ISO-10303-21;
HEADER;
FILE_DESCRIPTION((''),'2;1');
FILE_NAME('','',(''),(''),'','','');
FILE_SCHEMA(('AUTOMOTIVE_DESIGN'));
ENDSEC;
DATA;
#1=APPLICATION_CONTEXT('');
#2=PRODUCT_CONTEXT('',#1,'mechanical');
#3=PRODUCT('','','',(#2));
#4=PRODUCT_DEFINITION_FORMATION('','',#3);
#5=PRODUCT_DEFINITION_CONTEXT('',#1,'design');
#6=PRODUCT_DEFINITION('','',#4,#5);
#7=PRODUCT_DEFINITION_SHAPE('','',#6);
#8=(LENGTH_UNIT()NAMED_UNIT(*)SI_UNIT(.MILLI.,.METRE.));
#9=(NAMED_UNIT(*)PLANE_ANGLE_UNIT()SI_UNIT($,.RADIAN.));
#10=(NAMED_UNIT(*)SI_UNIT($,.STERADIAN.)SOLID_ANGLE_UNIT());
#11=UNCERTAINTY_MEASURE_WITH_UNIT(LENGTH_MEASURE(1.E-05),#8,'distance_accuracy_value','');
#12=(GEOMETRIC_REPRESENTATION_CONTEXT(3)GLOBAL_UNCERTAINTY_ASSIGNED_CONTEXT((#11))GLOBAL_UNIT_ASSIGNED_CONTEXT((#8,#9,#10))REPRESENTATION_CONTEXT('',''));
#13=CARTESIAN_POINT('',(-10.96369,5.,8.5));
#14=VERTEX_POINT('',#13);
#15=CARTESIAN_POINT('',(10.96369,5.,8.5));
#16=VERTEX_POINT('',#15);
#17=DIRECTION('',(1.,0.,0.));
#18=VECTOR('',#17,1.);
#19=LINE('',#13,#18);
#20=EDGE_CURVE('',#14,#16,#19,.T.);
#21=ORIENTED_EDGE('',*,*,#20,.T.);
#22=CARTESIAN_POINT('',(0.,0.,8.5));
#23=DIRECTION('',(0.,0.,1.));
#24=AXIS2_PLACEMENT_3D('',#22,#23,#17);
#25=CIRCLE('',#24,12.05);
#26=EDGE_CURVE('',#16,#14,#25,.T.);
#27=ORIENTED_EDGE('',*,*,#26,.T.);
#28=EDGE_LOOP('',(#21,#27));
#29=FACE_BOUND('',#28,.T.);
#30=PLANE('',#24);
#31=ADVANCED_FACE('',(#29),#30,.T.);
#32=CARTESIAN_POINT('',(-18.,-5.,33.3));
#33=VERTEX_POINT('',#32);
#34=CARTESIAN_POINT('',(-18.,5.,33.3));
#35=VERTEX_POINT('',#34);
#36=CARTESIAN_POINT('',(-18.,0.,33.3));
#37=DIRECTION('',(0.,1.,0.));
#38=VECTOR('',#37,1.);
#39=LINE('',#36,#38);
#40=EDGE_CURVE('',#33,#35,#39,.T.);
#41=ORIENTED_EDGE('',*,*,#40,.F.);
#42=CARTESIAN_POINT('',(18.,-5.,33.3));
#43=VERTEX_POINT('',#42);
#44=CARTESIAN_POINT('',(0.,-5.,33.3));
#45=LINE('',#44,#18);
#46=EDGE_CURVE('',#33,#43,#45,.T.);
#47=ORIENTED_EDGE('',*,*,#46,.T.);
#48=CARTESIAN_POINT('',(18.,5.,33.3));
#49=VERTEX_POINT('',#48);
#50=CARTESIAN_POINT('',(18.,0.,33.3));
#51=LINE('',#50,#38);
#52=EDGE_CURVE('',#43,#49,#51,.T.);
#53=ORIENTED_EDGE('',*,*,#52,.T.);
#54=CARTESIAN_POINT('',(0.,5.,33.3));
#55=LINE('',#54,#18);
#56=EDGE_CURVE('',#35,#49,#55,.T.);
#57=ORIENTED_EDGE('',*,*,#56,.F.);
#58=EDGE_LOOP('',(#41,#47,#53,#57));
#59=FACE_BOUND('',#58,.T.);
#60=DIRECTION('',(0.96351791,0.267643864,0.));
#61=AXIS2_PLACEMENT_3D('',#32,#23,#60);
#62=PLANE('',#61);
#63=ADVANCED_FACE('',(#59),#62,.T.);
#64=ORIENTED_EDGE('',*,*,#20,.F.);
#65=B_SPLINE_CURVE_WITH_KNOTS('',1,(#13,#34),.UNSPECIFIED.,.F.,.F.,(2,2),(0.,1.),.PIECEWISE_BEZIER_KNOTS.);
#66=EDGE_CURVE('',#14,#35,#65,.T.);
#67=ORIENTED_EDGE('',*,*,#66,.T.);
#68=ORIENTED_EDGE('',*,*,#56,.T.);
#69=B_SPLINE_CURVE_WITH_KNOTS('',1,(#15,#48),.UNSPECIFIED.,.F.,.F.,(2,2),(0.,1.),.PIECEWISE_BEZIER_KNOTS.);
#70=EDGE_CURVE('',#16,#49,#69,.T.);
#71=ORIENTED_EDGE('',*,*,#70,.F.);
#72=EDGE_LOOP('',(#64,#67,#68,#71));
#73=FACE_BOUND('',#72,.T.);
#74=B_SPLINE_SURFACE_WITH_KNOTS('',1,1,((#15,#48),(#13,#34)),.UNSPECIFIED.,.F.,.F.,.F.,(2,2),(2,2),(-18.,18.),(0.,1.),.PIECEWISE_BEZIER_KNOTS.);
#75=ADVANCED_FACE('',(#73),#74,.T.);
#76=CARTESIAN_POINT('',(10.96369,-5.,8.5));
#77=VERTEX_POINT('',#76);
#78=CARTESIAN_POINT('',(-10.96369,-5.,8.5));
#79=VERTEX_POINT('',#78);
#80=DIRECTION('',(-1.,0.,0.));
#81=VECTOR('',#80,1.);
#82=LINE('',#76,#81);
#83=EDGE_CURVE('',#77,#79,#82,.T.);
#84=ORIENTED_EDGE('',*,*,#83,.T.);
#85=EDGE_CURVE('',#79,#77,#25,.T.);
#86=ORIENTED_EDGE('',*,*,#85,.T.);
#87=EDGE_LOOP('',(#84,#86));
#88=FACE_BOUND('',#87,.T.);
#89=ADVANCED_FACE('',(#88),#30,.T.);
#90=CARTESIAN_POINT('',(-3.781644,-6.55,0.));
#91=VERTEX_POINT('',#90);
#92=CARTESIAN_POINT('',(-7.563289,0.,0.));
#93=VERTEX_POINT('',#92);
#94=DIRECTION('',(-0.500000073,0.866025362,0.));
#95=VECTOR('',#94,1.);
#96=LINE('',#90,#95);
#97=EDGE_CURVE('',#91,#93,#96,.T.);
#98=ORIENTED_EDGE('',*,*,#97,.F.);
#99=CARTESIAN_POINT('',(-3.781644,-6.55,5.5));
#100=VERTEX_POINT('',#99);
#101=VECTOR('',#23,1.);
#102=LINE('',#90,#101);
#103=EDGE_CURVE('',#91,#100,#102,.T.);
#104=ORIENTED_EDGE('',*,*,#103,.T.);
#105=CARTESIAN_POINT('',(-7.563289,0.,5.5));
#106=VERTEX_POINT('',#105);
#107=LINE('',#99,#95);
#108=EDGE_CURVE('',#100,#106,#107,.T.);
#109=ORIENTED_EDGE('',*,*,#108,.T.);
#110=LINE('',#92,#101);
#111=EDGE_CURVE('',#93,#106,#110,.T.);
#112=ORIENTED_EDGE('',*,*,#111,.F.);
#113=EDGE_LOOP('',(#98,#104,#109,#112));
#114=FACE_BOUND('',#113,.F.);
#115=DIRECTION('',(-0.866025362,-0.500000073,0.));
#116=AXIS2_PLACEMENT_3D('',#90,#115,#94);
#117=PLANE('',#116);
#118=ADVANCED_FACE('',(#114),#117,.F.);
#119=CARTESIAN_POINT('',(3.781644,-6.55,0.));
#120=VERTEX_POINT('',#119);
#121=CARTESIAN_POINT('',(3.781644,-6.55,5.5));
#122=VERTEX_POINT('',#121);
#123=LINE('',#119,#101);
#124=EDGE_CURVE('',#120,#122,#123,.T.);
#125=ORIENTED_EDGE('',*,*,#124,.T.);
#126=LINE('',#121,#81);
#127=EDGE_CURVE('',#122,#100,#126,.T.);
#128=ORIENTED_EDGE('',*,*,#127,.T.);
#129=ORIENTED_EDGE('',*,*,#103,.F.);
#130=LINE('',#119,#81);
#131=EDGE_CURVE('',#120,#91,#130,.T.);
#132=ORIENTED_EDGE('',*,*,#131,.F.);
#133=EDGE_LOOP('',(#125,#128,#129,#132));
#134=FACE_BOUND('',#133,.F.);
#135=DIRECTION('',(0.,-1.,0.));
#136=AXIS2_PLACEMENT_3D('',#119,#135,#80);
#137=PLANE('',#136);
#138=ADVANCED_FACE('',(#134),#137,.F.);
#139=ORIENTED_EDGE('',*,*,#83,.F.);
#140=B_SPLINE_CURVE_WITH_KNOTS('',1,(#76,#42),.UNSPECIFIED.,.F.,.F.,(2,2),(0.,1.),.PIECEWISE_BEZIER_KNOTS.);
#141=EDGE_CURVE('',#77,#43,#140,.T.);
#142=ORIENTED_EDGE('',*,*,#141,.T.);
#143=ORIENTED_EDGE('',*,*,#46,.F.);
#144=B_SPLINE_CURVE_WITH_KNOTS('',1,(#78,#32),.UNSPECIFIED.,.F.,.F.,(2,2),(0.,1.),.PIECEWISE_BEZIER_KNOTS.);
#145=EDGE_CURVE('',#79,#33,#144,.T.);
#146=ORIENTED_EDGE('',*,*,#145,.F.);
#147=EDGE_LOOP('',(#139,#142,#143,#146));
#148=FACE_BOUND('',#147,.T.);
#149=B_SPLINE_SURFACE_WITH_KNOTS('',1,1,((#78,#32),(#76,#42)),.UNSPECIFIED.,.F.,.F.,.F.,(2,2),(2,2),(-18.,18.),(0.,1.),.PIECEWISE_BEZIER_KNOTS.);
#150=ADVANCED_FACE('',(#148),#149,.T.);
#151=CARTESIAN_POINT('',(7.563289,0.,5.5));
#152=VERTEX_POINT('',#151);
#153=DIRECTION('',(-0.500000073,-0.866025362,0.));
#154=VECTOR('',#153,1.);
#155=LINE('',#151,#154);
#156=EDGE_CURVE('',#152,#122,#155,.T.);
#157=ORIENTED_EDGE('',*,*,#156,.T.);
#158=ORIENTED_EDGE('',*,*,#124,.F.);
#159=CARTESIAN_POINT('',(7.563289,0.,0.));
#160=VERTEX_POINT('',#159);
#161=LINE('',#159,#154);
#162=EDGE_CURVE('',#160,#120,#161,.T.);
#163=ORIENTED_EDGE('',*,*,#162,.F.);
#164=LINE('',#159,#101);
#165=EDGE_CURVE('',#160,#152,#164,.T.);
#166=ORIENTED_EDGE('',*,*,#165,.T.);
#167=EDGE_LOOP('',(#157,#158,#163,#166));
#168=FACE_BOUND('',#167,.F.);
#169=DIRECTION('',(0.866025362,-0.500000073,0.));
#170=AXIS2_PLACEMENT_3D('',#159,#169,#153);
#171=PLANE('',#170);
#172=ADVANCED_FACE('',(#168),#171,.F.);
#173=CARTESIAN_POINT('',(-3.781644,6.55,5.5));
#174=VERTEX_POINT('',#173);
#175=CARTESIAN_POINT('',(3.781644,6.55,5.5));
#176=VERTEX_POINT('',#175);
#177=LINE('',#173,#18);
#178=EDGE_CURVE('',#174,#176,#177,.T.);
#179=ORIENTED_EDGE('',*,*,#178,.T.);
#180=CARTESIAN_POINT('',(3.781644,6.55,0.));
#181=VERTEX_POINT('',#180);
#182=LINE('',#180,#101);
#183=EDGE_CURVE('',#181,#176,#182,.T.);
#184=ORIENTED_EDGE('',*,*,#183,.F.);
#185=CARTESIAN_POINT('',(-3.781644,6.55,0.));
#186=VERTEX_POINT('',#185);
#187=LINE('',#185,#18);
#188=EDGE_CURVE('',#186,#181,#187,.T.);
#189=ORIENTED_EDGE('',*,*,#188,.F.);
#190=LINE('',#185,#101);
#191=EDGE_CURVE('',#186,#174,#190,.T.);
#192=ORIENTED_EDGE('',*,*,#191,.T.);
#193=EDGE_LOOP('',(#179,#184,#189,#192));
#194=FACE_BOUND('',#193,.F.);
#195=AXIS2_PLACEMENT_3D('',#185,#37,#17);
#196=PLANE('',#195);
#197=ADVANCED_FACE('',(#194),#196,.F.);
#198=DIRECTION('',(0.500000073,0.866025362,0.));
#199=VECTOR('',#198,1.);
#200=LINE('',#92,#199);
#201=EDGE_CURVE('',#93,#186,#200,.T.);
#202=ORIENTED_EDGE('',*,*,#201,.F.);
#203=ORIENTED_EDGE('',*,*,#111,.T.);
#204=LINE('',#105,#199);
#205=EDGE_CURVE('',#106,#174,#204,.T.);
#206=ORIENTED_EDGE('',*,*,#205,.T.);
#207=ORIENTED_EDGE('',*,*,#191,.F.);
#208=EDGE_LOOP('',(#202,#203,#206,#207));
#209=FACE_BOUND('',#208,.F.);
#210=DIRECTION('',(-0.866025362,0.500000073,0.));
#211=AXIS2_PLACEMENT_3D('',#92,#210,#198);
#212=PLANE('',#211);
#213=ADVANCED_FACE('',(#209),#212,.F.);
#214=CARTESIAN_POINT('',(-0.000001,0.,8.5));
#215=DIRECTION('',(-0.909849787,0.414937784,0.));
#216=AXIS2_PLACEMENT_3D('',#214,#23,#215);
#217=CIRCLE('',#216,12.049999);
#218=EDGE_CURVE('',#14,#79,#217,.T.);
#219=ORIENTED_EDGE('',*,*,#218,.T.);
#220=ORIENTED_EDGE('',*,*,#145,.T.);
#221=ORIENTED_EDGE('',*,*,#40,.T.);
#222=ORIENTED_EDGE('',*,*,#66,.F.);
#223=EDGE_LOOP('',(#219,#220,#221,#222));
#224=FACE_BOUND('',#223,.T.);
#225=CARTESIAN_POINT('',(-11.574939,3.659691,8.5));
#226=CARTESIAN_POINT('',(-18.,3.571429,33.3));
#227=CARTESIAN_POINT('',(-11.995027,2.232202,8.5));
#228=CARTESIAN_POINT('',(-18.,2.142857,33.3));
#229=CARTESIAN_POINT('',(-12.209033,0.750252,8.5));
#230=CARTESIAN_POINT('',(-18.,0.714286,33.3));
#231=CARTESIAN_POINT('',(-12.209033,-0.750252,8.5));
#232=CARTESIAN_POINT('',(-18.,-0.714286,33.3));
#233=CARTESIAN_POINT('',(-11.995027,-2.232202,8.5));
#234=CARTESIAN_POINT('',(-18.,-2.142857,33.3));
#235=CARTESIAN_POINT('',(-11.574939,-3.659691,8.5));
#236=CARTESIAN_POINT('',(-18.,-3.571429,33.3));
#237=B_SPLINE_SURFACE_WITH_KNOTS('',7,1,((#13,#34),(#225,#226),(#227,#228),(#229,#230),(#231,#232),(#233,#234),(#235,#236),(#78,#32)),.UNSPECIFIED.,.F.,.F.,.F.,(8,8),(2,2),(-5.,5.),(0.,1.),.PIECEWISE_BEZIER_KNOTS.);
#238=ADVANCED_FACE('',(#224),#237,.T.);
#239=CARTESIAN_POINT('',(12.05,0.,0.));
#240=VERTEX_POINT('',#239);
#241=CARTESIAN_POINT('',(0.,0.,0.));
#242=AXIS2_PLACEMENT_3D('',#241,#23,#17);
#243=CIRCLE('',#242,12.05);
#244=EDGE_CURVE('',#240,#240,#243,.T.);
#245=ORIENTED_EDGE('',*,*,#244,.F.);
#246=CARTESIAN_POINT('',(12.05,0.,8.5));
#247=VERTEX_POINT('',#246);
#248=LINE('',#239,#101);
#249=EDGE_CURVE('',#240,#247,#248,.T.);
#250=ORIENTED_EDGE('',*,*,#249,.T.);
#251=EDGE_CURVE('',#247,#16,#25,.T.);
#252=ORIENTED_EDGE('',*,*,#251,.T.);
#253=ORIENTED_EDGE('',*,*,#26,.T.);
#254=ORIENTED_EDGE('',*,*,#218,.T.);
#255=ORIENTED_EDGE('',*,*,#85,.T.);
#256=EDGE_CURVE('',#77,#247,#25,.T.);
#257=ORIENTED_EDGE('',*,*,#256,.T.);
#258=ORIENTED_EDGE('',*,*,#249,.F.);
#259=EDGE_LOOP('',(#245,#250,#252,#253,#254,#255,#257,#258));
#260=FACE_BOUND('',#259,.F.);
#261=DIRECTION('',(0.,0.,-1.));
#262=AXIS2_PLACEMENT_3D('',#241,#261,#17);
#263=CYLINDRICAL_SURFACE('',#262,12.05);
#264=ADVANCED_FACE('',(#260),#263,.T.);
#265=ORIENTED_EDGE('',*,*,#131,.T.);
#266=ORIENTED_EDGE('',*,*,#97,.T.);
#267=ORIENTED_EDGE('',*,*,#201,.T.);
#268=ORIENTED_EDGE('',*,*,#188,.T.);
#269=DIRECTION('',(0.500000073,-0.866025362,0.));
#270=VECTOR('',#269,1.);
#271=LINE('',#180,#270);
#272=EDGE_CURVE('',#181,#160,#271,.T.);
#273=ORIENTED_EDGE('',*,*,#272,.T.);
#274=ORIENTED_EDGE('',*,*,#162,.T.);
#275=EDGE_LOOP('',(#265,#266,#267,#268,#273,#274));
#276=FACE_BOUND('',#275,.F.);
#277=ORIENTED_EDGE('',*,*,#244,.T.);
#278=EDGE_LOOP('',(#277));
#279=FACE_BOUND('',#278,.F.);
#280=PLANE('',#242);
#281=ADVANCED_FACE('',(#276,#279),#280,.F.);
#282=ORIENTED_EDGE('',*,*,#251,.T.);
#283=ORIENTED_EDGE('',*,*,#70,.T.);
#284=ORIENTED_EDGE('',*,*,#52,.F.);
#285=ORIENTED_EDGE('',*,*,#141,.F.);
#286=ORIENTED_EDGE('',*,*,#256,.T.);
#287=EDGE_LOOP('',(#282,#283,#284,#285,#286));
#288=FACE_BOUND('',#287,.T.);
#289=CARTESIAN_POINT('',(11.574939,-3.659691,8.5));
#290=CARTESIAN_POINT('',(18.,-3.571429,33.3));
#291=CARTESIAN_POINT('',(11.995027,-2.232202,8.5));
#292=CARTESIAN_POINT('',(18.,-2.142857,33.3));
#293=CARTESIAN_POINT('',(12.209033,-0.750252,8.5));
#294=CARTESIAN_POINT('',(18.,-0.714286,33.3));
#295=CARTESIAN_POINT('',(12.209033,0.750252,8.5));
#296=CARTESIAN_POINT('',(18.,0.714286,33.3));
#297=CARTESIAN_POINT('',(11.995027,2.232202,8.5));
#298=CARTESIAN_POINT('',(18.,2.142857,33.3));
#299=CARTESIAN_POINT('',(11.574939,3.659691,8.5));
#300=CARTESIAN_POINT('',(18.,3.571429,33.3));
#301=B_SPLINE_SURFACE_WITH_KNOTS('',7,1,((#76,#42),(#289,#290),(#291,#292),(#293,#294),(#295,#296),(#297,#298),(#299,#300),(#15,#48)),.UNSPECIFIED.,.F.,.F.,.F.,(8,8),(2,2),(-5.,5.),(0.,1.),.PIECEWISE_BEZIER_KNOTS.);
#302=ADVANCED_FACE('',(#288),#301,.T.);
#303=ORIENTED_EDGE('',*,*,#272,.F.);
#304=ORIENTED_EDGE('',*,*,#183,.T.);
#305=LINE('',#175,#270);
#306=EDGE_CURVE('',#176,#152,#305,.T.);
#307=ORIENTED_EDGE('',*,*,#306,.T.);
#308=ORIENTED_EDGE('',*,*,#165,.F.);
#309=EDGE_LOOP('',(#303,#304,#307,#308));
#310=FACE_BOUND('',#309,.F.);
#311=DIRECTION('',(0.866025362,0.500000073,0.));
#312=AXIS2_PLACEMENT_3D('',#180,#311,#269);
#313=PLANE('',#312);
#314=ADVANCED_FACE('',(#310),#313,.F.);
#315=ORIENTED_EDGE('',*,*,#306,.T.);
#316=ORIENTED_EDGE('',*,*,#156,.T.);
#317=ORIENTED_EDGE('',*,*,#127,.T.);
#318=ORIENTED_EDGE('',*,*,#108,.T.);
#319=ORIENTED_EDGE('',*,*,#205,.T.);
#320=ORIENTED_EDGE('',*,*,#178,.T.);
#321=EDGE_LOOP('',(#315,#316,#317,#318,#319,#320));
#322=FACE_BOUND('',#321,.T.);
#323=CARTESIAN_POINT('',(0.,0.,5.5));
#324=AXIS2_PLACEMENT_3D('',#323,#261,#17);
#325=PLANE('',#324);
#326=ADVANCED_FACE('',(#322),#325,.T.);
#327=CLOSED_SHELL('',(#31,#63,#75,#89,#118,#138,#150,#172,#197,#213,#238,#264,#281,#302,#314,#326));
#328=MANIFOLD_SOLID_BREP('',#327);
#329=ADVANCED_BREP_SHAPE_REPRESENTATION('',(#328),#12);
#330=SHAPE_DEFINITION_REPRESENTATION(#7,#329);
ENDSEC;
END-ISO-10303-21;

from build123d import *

# Parameters (mm, degrees)
SKETCH_R     = 12.05
PAD_DEPTH    = 8.5
SKETCH003_W  = 36
SKETCH003_H  = 10
POCKET_DEPTH = 5.5


with BuildPart() as part:
    # Sketch → Pad (new body)
    with BuildSketch(Plane.XY):
        Circle(SKETCH_R)
    extrude(amount=PAD_DEPTH)

    # Sketch002 (on Face3 of Pad) → AdditiveLoft section 0
    with BuildSketch(Plane.XY.offset(8.5)):
        with BuildLine():
            ThreePointArc((-10.96369, 5), (-12.05, 0), (-10.96369, -5))
            Line((10.96369, -5), (-10.96369, -5))
            ThreePointArc((10.96369, -5), (12.05, 0), (10.96369, 5))
            Line((-10.96369, 5), (10.96369, 5))
        make_face()
    # Sketch003 → AdditiveLoft section 1
    with BuildSketch(Plane.XY.offset(33.3)):
        Rectangle(SKETCH003_W, SKETCH003_H)
    loft()

    # Sketch004 (on Face2 of AdditiveLoft) → Pocket (cut)
    with BuildSketch(Plane(origin=(0, 0, 0), x_dir=(1, 0, 0), z_dir=(0, 0, -1))):
        Polygon((-3.781644, 6.55), (-7.563289, 0), (-3.781644, -6.55), (3.781644, -6.55), (7.563289, 0), (3.781644, 6.55), align=None)
    extrude(amount=-POCKET_DEPTH, mode=Mode.SUBTRACT)


solid = part.part
